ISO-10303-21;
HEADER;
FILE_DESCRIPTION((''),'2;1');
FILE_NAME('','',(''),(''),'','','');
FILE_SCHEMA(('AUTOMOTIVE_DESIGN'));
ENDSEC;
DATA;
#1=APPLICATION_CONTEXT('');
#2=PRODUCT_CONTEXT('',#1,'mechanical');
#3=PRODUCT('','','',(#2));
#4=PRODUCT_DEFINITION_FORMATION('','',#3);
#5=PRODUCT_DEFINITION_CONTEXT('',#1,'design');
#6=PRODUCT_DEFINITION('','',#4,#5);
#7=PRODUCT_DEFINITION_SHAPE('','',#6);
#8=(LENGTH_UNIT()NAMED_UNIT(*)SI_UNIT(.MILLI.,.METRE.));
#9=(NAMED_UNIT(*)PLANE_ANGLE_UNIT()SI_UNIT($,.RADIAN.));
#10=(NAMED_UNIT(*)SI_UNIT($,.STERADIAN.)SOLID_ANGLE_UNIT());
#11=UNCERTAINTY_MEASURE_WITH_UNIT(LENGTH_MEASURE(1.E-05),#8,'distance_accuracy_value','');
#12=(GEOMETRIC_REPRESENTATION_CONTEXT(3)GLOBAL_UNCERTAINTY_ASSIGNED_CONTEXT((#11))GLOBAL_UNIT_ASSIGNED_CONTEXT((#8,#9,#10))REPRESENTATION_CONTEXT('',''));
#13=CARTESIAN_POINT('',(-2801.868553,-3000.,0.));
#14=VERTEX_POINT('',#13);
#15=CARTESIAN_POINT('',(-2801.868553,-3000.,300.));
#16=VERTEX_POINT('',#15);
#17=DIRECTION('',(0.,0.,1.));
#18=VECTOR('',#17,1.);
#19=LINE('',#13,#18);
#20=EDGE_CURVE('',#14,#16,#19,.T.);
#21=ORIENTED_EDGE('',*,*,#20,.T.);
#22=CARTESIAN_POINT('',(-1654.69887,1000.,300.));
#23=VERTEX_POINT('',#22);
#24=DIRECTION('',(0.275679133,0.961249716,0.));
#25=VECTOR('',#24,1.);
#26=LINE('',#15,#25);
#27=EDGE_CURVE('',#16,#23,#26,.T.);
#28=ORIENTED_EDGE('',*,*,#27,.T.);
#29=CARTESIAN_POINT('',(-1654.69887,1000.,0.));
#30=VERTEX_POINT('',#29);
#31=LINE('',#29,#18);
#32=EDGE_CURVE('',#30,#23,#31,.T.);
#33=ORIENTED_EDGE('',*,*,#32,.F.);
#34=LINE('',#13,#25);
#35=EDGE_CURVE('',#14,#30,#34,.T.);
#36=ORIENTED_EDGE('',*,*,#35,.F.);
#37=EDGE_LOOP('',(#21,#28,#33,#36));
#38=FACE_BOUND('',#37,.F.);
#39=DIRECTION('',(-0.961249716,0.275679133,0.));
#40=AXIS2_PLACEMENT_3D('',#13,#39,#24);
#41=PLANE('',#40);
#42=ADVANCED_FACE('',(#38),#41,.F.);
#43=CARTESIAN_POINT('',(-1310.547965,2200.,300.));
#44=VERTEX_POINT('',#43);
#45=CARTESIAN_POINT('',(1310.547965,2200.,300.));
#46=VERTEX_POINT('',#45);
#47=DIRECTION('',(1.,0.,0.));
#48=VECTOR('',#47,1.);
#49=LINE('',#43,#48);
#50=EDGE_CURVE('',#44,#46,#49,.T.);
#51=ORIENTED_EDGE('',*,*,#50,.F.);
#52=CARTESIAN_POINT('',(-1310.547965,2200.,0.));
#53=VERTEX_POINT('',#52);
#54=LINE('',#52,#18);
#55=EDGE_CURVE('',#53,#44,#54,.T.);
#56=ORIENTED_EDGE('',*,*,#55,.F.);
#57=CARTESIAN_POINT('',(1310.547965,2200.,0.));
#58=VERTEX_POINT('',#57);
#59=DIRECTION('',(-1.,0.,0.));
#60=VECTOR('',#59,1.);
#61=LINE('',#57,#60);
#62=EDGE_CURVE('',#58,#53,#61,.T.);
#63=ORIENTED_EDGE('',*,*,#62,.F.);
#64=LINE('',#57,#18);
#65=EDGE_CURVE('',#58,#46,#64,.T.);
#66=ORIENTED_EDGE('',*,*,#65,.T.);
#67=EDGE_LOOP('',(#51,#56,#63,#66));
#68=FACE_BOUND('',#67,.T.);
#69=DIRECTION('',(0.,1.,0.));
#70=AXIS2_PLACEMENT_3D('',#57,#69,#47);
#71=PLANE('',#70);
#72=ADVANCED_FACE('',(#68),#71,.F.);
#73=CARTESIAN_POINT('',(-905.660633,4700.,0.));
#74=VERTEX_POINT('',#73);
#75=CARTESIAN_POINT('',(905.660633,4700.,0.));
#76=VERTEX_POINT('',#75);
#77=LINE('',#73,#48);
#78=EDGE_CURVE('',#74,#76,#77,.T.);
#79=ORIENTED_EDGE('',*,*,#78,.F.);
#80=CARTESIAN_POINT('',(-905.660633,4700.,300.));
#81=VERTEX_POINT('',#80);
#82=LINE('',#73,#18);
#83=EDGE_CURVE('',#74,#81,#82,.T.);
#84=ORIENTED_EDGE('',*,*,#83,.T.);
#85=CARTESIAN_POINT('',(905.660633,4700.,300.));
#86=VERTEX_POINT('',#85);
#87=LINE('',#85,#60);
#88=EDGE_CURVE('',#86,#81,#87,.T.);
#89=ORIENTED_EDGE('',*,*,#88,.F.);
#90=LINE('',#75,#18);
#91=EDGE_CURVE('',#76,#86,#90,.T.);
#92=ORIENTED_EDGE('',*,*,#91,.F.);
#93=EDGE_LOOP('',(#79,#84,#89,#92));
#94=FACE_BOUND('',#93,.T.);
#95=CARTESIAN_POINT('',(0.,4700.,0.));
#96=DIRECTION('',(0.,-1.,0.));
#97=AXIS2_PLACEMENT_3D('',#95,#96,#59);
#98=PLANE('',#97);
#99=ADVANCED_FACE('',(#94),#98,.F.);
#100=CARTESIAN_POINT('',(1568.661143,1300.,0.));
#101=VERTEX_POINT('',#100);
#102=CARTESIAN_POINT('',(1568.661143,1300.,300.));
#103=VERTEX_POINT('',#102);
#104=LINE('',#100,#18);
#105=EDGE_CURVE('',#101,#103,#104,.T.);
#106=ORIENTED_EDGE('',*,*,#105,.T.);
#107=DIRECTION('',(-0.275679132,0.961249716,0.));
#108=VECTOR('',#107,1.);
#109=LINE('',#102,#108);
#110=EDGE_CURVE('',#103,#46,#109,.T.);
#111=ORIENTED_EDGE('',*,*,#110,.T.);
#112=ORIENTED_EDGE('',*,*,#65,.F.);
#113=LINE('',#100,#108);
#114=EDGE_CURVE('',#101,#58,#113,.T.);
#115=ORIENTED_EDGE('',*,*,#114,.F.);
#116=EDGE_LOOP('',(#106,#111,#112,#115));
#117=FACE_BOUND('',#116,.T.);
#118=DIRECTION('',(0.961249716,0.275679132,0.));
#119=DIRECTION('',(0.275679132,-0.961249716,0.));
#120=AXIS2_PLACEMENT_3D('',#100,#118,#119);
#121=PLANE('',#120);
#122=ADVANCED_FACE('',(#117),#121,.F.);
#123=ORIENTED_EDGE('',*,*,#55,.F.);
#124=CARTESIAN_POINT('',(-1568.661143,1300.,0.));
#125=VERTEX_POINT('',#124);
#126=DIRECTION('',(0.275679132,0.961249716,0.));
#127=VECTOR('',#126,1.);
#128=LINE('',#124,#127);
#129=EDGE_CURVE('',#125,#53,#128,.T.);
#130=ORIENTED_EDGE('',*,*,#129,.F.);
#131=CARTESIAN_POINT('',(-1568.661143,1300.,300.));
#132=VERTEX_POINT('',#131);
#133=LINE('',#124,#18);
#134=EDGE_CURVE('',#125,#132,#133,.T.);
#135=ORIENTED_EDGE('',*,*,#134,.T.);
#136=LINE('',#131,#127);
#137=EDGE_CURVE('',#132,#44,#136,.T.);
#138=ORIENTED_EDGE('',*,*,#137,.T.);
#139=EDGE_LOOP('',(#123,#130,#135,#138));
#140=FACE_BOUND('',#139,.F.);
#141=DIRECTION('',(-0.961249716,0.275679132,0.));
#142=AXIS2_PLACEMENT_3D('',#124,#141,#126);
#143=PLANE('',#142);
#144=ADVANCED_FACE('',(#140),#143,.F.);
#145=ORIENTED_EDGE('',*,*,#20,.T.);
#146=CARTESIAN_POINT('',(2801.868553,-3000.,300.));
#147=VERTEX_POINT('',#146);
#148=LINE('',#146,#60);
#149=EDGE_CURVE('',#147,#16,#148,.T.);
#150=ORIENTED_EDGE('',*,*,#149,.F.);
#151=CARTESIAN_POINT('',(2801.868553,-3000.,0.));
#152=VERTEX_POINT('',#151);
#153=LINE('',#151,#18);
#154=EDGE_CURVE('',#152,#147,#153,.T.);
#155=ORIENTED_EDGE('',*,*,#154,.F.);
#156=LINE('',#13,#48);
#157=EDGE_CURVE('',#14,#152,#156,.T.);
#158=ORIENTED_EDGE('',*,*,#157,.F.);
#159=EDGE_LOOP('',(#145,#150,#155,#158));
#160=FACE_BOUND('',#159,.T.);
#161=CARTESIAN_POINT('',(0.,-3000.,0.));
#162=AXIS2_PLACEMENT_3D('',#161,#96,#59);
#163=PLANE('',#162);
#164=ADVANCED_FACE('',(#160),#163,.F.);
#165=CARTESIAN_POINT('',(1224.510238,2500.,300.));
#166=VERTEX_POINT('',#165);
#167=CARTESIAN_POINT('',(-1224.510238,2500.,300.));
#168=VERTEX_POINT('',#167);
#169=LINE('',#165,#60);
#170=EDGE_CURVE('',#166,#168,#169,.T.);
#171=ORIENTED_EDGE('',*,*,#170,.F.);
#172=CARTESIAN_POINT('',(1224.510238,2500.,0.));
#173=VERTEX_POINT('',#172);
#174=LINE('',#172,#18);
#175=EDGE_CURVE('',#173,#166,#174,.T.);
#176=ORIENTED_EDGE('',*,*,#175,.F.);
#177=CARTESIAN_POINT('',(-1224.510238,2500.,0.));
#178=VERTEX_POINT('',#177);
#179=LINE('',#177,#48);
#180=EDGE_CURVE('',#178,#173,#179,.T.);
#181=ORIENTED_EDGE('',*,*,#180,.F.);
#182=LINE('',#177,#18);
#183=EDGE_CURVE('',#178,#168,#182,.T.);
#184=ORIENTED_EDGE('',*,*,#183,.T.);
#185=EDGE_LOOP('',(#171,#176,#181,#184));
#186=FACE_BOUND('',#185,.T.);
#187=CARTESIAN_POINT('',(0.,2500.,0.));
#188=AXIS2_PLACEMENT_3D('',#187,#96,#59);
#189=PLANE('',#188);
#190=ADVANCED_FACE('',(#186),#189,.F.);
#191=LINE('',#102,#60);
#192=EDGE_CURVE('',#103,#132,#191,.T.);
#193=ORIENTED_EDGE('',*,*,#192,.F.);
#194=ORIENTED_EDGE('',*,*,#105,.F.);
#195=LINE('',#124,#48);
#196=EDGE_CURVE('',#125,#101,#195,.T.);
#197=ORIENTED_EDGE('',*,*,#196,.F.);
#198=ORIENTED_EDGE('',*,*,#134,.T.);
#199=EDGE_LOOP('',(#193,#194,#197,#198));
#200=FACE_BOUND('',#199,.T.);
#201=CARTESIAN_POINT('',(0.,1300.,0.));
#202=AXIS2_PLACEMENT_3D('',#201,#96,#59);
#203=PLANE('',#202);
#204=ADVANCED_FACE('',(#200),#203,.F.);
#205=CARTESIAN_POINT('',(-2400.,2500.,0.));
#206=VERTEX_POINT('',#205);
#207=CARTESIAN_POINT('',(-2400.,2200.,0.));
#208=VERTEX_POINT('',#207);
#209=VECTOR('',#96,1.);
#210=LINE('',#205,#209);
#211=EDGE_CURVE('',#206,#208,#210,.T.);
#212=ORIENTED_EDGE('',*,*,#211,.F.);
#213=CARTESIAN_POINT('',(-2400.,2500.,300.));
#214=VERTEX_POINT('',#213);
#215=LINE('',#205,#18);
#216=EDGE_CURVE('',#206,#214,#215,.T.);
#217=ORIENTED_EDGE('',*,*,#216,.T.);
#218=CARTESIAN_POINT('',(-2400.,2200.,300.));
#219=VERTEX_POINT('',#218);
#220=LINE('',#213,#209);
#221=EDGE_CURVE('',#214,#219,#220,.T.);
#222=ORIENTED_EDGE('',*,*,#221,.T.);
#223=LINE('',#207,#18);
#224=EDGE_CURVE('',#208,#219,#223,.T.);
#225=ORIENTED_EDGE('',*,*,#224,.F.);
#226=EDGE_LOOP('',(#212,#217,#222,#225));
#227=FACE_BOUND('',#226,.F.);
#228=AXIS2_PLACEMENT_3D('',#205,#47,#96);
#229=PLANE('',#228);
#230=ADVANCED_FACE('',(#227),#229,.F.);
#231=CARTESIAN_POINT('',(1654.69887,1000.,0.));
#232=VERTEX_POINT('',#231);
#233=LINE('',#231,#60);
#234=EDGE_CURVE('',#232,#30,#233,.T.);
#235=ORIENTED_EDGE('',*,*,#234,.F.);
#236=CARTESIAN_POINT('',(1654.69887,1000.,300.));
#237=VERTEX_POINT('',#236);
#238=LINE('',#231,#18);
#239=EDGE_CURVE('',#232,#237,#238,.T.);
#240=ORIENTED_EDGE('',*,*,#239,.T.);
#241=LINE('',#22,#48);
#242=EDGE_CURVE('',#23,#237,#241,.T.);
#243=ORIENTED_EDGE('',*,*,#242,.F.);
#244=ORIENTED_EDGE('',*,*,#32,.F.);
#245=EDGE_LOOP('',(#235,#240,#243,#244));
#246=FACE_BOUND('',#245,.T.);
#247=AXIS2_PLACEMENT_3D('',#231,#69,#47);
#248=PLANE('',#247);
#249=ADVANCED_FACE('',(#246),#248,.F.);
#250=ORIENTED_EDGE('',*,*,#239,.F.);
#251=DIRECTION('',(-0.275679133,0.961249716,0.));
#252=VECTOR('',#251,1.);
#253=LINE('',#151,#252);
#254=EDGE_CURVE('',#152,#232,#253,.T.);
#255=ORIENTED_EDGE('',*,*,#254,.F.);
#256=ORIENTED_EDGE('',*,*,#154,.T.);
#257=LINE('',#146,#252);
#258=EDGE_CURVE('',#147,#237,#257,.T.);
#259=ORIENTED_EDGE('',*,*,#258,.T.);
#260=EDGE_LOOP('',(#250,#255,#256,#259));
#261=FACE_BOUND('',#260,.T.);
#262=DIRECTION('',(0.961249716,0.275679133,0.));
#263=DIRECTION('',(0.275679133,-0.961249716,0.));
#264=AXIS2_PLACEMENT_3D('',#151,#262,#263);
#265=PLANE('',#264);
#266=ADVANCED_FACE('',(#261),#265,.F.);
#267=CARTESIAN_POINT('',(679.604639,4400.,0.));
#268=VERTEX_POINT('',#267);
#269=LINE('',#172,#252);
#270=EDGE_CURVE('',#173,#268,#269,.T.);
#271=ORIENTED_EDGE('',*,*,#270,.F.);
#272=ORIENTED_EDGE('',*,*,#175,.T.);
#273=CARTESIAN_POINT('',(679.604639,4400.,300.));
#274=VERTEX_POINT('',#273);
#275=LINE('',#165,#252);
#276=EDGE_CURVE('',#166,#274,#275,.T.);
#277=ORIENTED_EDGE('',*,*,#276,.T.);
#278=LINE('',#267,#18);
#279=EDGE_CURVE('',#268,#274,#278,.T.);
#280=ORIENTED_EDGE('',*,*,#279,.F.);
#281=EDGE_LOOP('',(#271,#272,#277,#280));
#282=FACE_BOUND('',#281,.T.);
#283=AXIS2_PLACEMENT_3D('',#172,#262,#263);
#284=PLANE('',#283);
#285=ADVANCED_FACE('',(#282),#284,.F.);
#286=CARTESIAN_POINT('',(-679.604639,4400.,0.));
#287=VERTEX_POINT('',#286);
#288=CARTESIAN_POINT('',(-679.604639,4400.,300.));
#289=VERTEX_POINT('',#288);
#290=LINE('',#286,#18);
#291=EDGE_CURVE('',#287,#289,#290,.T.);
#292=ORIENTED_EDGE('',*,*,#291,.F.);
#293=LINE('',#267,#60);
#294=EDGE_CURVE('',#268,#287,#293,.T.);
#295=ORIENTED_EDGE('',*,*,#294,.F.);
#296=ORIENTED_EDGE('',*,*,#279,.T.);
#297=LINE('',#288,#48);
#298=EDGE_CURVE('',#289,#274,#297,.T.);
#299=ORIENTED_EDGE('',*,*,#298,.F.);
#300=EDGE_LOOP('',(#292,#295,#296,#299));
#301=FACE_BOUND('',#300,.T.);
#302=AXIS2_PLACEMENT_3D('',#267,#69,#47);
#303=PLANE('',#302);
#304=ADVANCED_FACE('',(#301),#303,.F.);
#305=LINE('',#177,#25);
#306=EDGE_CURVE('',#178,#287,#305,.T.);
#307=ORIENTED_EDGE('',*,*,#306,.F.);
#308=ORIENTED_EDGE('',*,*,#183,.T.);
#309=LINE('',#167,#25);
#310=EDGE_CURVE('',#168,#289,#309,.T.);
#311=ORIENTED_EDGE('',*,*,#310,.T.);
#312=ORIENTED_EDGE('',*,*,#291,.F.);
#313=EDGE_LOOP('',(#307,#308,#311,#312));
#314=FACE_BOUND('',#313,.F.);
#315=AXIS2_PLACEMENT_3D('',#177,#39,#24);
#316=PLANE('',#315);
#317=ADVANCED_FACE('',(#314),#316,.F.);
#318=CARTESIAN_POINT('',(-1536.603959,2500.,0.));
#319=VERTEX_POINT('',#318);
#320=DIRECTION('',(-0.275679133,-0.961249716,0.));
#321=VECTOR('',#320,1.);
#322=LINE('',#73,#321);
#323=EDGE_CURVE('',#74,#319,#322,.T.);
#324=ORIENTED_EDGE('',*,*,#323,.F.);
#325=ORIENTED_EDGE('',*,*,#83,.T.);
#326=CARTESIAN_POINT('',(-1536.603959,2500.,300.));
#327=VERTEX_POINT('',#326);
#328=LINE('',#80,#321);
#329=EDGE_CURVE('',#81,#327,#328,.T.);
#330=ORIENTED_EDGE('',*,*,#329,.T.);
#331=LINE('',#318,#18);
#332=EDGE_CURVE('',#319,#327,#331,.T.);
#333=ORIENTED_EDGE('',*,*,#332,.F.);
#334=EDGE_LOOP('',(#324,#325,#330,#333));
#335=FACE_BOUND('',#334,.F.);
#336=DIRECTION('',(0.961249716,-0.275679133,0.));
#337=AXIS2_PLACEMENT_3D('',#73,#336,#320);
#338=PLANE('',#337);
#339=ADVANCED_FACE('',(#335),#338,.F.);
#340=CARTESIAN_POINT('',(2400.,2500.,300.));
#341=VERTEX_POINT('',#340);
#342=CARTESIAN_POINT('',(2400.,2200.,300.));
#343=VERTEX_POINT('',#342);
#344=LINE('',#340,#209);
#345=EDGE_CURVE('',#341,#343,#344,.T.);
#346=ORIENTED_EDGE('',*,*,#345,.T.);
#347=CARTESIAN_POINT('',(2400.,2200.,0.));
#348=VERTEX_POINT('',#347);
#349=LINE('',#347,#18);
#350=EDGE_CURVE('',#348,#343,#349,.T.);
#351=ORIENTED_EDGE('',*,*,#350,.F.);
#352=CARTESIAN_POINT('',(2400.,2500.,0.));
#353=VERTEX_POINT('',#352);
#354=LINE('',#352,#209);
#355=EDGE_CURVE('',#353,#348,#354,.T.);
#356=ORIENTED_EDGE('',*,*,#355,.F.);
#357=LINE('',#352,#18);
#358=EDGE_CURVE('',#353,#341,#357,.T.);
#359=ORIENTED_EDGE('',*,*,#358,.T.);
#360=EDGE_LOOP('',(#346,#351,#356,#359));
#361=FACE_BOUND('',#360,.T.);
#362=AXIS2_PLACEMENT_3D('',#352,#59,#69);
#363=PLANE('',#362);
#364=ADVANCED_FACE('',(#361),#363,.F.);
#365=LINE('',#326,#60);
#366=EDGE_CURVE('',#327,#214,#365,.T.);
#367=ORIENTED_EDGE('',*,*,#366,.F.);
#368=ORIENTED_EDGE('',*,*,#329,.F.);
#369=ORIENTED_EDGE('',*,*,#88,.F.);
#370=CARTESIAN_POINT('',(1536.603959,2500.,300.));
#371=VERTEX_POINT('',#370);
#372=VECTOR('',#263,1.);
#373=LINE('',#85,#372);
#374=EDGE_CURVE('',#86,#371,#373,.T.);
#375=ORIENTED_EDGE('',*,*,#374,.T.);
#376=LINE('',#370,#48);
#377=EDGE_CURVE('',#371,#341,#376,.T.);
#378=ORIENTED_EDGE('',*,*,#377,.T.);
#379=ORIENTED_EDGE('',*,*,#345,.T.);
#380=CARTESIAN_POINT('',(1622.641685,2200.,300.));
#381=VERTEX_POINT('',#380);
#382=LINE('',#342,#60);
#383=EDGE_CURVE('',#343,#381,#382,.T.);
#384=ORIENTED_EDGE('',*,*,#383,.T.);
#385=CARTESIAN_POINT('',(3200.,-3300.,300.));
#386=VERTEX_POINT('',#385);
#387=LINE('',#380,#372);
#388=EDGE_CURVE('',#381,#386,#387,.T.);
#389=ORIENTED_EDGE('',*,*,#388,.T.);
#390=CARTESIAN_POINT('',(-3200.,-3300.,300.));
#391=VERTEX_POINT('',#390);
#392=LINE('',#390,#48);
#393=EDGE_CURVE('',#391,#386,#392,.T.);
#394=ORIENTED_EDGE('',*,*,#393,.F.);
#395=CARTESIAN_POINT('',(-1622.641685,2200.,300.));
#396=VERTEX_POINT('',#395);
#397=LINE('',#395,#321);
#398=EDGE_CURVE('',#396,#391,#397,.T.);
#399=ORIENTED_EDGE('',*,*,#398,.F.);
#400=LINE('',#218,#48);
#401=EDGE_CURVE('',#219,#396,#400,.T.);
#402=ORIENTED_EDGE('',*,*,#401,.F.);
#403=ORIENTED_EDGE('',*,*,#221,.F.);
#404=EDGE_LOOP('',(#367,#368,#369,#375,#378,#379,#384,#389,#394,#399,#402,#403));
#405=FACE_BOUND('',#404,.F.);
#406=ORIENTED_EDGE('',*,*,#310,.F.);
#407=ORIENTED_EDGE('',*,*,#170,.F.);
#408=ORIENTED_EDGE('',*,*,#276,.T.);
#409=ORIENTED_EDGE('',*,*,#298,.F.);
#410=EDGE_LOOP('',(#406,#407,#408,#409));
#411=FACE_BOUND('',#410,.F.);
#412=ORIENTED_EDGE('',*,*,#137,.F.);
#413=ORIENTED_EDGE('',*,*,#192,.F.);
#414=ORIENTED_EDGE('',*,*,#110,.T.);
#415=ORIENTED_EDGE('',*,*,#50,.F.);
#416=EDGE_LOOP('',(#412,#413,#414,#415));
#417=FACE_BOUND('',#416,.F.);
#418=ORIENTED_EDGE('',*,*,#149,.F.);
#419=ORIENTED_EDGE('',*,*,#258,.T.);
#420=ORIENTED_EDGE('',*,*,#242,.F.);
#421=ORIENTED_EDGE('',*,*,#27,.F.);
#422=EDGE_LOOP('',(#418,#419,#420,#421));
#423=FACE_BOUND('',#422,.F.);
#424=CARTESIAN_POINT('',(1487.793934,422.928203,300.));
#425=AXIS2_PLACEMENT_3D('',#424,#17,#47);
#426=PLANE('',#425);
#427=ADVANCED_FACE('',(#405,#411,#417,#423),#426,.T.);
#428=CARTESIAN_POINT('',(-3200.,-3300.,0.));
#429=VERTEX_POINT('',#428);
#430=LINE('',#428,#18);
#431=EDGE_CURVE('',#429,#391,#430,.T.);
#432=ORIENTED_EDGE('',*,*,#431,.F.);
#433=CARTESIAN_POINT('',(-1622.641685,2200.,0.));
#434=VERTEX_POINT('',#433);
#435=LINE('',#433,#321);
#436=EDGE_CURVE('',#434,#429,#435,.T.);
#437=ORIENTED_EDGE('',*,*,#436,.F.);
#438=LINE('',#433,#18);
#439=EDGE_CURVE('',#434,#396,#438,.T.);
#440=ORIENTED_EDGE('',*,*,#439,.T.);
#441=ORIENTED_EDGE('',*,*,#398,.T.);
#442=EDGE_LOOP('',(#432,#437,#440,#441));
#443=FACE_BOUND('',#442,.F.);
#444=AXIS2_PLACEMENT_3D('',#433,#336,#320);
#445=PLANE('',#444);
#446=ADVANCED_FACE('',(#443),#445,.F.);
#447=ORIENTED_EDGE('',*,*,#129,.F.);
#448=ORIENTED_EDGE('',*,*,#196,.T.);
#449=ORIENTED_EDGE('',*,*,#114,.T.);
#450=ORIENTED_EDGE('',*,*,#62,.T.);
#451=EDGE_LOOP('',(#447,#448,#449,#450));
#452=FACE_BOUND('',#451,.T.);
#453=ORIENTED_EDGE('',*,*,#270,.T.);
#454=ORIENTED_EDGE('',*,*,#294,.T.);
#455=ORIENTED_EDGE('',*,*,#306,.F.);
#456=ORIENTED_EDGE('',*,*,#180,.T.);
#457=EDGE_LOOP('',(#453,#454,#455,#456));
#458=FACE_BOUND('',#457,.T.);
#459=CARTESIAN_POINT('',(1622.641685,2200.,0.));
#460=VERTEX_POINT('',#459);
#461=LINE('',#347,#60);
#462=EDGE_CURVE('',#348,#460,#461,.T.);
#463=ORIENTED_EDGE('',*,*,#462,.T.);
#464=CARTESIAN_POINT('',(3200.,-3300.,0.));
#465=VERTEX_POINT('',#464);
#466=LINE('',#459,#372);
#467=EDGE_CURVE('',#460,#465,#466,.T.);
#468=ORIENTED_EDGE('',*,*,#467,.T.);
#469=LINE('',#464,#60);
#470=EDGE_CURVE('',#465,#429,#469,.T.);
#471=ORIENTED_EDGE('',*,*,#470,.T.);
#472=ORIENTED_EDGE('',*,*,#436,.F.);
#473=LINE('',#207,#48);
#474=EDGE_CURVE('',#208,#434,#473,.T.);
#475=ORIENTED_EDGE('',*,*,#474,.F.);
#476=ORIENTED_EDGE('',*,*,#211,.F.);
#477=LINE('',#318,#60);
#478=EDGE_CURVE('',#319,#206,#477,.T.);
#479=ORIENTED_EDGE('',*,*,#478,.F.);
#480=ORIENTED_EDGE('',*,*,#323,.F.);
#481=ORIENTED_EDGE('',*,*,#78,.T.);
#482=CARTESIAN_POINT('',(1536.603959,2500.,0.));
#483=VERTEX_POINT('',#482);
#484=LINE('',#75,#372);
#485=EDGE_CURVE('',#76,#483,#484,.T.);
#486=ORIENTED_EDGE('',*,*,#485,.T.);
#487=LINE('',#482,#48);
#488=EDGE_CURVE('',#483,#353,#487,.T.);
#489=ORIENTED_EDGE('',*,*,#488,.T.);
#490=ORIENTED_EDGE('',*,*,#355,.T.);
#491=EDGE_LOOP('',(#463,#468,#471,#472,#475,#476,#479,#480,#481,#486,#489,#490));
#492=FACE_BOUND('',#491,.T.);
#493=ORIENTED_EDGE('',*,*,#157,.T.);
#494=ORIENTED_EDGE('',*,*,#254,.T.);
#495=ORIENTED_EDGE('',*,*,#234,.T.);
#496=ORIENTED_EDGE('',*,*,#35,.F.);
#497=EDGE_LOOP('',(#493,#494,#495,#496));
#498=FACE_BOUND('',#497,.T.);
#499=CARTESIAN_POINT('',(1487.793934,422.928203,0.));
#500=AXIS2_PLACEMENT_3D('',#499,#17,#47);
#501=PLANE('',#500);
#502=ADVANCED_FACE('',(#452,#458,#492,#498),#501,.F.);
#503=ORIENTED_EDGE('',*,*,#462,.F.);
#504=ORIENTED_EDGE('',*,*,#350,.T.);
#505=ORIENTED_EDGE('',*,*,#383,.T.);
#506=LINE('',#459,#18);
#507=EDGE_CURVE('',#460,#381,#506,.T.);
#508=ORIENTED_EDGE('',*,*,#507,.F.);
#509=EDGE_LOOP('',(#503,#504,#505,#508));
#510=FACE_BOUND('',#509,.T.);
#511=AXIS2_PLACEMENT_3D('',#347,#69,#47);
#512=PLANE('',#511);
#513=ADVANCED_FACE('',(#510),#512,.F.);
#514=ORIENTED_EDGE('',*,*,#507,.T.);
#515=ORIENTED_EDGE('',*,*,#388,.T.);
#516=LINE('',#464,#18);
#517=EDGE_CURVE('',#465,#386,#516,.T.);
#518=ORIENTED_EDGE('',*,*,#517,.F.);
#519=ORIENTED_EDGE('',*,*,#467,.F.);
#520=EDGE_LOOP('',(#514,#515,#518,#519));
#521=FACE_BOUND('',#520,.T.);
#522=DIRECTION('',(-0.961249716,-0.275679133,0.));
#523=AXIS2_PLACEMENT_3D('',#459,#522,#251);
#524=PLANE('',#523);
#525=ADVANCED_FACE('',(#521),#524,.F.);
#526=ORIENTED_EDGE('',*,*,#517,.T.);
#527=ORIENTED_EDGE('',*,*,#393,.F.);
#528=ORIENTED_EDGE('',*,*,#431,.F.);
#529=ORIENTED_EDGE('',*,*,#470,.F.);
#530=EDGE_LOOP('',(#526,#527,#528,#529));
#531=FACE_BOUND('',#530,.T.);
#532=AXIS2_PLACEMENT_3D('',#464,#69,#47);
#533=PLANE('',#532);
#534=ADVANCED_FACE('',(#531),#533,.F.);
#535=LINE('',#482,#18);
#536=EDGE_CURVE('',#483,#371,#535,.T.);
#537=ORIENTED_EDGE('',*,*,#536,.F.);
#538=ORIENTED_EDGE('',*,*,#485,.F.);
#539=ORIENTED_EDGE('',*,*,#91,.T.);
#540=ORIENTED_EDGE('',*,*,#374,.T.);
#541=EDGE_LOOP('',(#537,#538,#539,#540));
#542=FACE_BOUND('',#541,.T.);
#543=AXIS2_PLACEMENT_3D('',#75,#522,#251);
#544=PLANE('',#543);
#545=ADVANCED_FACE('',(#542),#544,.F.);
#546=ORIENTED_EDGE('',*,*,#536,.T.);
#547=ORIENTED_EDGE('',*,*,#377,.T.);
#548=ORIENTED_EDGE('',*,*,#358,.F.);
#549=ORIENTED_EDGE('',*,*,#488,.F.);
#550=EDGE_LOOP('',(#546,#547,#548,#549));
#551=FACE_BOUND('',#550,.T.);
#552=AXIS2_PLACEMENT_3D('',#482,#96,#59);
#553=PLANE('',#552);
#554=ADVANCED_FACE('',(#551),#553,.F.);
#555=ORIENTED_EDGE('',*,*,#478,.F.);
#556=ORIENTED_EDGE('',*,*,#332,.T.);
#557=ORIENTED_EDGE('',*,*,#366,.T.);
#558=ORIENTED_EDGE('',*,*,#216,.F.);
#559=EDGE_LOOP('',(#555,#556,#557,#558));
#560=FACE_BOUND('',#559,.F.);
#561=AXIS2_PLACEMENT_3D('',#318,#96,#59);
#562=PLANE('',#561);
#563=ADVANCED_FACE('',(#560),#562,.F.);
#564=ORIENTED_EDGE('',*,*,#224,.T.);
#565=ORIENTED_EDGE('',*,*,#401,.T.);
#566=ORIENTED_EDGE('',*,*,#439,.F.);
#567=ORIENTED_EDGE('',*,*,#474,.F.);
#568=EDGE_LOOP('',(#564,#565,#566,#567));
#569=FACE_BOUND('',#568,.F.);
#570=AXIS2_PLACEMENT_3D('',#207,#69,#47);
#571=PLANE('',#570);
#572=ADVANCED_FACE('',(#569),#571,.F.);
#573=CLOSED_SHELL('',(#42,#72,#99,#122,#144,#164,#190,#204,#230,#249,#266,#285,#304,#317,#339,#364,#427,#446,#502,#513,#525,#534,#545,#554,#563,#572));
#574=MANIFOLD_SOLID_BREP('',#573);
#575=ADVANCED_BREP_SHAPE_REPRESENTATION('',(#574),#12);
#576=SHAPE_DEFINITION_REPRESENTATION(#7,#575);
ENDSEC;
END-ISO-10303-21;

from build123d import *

# Parameters (mm, degrees)
F1_DEPTH = 300


with BuildPart() as f1:
    # F0 (on Top) → F1 (new body)
    with BuildSketch(Plane.XY):
        Polygon((-2400, 2200), (-1622.641685, 2200), (-3200, -3300), (0, -3300), (0, -3000), (-2801.868553, -3000), (-1654.69887, 1000), (0, 1000), (0, 1300), (-1568.661143, 1300), (-1310.547965, 2200), (0, 2200), (0, 2500), (-1224.510238, 2500), (-679.604639, 4400), (0, 4400), (0, 4700), (-905.660633, 4700), (-1536.603959, 2500), (-2400, 2500), align=None)
    extrude(amount=F1_DEPTH)

    # F2: F1 across plane


with BuildPart() as f1_1:
    add(f1.part)
    add(f1.part.mirror(Plane.YZ))


solid = f1_1.part
